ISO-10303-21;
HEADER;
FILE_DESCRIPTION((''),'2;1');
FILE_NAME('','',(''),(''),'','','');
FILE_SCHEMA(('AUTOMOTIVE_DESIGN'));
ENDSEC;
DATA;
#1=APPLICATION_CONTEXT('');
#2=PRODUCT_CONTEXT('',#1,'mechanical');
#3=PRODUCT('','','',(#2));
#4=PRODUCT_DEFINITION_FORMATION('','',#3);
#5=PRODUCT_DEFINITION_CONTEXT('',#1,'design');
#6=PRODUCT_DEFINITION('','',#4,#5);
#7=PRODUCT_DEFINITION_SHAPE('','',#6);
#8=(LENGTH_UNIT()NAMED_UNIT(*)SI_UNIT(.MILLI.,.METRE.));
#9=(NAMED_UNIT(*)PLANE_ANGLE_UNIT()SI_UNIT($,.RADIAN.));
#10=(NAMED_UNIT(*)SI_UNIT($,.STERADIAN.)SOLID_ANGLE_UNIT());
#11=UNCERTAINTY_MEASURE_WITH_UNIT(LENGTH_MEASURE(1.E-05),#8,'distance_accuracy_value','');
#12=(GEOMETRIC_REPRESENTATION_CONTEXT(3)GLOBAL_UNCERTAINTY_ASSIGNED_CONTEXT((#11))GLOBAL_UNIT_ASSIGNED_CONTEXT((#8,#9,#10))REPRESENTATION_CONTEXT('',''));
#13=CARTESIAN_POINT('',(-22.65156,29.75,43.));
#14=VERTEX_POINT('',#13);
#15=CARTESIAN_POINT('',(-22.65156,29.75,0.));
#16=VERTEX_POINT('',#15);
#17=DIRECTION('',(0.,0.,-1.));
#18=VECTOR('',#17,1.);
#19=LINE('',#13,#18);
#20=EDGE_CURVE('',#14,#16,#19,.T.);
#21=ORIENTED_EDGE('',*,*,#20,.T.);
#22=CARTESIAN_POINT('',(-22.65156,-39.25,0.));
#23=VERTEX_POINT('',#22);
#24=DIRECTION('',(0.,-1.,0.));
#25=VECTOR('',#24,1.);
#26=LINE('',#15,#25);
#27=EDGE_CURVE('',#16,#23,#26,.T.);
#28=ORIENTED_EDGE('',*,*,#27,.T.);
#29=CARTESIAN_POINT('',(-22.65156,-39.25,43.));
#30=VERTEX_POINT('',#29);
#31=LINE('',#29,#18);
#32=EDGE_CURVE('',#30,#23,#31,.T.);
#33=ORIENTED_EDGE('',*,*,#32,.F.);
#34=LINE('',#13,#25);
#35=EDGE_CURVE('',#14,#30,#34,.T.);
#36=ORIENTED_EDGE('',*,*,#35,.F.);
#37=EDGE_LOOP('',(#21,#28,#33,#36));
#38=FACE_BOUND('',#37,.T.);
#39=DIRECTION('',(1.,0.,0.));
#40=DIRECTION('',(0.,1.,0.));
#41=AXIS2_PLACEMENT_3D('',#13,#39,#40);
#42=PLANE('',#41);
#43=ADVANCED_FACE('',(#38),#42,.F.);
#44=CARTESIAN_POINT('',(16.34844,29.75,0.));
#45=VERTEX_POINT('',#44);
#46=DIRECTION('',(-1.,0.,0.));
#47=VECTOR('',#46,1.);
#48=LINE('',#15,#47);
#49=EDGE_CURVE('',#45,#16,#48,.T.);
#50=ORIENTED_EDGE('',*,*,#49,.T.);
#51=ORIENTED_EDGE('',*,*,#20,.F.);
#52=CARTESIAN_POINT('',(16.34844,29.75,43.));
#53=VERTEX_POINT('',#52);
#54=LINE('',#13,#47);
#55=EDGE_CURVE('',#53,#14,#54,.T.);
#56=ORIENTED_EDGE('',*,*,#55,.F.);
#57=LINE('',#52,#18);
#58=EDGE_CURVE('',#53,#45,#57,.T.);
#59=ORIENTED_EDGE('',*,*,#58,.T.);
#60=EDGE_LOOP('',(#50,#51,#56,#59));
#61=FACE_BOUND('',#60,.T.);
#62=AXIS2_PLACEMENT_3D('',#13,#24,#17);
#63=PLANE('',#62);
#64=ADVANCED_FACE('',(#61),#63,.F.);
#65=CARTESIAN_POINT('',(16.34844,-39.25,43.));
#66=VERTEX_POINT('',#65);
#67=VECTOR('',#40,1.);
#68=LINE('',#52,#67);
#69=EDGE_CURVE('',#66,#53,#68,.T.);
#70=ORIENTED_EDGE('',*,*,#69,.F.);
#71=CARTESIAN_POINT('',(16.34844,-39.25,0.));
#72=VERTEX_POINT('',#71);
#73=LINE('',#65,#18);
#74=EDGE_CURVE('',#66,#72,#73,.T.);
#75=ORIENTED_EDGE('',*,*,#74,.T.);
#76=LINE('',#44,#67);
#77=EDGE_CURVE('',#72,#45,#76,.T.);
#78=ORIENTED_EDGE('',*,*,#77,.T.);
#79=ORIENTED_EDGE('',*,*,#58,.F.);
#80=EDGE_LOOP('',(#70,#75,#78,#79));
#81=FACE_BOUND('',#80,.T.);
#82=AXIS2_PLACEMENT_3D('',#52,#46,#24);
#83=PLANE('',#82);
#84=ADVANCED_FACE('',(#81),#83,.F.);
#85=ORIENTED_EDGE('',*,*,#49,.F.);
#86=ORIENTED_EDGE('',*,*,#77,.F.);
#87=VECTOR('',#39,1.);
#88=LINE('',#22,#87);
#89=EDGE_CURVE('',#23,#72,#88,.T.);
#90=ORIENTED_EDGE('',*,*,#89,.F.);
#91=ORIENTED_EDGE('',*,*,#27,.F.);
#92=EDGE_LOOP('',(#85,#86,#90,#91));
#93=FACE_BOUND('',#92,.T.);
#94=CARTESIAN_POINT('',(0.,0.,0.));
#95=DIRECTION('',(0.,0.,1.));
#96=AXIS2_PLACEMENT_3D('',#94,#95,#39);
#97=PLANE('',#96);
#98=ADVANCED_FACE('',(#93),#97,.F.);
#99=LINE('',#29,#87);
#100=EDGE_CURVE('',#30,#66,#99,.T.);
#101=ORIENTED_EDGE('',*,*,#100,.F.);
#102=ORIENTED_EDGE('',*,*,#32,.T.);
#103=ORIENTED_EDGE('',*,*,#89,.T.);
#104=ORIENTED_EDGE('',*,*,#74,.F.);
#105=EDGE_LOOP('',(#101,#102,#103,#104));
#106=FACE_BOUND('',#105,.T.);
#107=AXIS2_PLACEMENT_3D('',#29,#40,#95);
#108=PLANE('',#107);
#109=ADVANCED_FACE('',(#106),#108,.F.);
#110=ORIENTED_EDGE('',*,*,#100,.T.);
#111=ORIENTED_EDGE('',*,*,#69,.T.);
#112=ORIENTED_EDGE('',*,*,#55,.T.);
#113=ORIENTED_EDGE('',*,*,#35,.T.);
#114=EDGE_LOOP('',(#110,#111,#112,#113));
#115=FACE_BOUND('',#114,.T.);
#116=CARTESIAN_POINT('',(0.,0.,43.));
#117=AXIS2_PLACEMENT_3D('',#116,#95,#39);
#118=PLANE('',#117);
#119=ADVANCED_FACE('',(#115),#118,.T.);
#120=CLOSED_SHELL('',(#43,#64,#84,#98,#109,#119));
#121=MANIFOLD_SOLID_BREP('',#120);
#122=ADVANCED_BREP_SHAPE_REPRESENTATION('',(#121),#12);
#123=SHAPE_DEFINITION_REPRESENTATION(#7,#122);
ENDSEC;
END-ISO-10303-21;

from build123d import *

# Parameters (mm, degrees)
SKETCH_1_W      = 39
SKETCH_1_H      = 69
EXTRUDE_1_DEPTH = 43


with BuildPart() as part:
    # ｽｹｯﾁ1 → ﾎﾞｽ - 押し出し1 (new body)
    with BuildSketch(Plane.XY):
        with Locations((-3.151560295, -4.75)):
            Rectangle(SKETCH_1_W, SKETCH_1_H)
    extrude(amount=EXTRUDE_1_DEPTH)


solid = part.part
